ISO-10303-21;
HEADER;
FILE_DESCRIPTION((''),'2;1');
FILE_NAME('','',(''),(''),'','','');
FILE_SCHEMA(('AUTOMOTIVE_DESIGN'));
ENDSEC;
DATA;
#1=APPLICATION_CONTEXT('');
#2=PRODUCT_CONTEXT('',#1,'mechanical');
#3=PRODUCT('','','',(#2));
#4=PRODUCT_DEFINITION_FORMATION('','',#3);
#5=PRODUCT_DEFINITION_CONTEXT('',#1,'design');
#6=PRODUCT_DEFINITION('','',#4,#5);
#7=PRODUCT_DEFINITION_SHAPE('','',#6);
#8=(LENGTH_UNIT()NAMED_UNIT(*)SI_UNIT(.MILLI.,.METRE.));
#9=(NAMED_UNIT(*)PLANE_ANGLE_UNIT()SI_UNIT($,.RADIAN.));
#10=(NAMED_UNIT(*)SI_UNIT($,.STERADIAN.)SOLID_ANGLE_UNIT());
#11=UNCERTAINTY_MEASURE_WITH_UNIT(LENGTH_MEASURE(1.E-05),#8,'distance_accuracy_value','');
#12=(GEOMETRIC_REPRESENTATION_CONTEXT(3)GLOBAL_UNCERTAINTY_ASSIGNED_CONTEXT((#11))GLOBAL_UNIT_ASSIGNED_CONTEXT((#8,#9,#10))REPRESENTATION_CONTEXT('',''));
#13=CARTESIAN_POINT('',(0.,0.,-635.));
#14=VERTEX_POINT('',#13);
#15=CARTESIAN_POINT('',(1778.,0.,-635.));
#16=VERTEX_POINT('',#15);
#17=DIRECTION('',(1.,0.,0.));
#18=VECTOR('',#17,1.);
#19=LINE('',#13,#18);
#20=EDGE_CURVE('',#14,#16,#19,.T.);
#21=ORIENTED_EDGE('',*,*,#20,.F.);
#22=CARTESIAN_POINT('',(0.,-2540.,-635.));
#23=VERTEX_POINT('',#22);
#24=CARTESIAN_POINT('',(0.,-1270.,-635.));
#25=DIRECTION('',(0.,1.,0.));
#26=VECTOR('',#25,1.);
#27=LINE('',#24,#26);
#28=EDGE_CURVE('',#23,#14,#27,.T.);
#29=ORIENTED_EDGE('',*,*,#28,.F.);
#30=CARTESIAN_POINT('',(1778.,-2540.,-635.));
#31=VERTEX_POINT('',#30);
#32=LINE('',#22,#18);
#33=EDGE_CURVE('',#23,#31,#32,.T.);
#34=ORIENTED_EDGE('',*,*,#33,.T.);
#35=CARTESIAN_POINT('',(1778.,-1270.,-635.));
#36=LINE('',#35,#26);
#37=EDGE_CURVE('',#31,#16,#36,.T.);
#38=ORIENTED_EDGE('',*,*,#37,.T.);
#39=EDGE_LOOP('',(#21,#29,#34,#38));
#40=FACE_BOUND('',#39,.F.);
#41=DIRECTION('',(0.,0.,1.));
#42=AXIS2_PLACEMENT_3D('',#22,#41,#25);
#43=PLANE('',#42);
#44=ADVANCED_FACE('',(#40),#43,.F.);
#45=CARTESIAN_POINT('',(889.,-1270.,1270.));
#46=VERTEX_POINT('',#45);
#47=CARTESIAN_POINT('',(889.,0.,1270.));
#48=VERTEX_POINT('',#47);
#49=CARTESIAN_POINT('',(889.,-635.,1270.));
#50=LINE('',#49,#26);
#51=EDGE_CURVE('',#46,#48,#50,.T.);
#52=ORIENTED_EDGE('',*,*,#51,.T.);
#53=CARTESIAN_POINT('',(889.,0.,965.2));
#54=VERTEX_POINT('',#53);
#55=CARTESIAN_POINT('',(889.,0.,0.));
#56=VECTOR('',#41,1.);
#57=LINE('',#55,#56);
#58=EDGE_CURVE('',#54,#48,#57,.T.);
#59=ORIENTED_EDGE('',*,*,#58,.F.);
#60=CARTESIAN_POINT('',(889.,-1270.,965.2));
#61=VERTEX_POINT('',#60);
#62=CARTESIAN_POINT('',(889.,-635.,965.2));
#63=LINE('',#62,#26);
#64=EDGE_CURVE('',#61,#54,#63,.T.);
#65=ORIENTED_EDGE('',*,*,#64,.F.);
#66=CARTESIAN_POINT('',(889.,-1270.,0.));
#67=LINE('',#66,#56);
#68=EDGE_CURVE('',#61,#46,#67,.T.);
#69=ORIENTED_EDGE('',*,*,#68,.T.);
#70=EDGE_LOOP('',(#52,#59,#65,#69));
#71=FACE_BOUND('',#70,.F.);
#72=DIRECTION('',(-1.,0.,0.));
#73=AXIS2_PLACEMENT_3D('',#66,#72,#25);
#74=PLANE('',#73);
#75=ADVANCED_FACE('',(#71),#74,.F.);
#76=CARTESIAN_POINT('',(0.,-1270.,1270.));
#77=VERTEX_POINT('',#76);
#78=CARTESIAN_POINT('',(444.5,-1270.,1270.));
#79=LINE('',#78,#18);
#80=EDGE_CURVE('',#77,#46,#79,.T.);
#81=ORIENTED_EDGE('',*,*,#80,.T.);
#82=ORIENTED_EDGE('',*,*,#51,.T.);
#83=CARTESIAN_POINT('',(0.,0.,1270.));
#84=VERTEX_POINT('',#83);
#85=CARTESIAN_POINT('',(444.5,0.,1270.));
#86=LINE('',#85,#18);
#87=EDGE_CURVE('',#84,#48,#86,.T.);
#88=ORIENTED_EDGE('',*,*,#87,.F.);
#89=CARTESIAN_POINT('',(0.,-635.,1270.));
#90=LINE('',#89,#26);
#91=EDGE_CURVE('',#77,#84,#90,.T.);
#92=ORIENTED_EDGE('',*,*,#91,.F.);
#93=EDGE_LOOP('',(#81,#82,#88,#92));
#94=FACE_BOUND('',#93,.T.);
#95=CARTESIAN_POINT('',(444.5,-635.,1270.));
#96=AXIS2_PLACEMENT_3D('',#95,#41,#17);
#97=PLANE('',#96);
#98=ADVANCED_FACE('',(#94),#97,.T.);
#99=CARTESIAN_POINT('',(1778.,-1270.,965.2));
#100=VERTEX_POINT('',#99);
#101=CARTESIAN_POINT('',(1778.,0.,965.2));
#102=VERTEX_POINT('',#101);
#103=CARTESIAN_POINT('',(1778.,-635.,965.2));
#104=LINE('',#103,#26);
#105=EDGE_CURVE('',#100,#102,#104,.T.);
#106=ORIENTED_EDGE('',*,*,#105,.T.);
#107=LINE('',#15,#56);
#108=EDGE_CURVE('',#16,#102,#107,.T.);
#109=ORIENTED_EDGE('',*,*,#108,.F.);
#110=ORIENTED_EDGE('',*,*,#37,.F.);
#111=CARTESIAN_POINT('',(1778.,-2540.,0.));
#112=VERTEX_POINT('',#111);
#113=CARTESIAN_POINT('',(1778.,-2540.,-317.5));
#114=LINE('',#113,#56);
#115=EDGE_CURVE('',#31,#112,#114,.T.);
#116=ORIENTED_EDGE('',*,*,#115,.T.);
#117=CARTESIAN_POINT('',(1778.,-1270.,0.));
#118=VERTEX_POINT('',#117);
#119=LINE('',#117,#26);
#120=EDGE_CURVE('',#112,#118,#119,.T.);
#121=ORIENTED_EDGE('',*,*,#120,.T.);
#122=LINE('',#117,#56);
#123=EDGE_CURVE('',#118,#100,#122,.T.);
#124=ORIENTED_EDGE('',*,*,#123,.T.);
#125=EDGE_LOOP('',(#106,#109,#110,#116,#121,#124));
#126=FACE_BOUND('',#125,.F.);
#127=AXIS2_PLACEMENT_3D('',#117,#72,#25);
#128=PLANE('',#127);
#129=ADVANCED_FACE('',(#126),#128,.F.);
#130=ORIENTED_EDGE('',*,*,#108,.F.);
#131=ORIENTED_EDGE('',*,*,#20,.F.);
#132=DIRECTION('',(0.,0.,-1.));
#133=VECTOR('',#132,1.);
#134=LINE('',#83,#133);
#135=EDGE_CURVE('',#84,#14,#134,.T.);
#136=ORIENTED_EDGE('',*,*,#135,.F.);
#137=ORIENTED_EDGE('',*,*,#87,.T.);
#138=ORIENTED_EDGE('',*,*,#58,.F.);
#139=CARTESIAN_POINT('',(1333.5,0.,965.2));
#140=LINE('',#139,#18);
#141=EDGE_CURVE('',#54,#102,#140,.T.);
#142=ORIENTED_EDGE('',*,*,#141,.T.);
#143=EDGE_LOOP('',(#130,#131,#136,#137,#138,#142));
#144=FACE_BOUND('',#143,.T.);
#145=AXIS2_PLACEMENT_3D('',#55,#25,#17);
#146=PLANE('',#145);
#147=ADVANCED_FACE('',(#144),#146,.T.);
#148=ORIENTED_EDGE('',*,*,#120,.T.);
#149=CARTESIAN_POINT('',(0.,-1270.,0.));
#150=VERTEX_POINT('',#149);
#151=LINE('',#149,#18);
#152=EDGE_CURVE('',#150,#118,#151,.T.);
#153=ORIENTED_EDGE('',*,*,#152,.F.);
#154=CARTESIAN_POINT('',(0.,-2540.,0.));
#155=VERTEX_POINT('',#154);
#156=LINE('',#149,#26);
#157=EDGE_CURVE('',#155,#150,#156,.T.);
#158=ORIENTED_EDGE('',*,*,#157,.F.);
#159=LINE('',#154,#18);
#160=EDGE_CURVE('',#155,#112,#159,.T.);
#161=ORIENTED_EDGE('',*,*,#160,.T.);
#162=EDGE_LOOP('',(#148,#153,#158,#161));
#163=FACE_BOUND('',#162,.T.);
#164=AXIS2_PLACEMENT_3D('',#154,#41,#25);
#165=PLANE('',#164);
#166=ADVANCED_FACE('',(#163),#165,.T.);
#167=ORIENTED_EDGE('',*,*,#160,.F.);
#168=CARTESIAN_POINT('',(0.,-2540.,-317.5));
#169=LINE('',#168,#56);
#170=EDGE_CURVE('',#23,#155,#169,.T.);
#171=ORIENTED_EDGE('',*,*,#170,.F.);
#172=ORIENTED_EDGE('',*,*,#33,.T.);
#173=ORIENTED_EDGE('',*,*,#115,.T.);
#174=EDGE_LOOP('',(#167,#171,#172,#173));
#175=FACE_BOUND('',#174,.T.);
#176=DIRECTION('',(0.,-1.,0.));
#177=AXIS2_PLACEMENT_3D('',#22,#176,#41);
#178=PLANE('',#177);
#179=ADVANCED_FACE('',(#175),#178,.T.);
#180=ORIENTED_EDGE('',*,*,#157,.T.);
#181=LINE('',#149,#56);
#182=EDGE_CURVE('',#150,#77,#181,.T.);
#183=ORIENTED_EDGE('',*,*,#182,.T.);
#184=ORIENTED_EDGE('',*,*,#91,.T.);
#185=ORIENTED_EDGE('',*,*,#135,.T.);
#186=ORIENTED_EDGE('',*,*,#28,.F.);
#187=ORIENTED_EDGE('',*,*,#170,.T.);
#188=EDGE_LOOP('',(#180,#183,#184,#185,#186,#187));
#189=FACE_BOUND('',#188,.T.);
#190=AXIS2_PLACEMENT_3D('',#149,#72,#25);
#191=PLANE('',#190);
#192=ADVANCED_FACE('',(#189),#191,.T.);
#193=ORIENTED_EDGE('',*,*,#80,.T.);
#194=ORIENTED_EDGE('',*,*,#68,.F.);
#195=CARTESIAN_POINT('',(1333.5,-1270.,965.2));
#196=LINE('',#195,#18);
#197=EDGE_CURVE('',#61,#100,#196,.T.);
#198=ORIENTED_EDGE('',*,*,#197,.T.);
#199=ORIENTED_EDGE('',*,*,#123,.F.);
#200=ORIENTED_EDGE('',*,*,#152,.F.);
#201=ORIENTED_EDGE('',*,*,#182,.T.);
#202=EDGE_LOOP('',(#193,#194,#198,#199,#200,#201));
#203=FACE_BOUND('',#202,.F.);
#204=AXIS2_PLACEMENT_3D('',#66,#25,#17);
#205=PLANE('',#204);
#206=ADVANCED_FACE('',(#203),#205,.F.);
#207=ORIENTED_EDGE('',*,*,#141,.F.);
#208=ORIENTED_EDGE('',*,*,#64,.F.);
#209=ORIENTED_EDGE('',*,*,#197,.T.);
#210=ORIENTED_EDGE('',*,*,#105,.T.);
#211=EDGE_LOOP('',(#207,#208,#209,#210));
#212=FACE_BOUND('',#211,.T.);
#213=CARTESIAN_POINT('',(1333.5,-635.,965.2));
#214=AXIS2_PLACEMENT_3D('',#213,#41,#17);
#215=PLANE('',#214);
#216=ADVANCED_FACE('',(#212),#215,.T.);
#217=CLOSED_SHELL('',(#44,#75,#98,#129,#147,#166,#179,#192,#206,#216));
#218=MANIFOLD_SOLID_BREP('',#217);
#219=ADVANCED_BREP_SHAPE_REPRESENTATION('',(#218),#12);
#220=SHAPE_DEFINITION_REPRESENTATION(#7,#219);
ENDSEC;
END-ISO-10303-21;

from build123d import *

# Parameters (mm, degrees)
F0_W     = 2540
F0_H     = 635
F1_DEPTH = 1778
F2_W     = 889
F2_H     = 1270
F3_DEPTH = 1270
F4_W     = 889
F4_H     = 1270
F5_DEPTH = 965.2


with BuildPart() as f1:
    # F0 (on Right) → F1 (new body)
    with BuildSketch(Plane.YZ):
        with Locations((-1270, -317.5)):
            Rectangle(F0_W, F0_H)
    extrude(amount=F1_DEPTH)

    # F2 (on face) → F3 (join)
    with BuildSketch(Plane.XY):
        with Locations((444.5, -635)):
            Rectangle(F2_W, F2_H)
    extrude(amount=F3_DEPTH)

    # F4 (on face) → F5 (join)
    with BuildSketch(Plane.XY):
        with Locations((1333.5, -635)):
            Rectangle(F4_W, F4_H)
    extrude(amount=F5_DEPTH)


solid = f1.part
